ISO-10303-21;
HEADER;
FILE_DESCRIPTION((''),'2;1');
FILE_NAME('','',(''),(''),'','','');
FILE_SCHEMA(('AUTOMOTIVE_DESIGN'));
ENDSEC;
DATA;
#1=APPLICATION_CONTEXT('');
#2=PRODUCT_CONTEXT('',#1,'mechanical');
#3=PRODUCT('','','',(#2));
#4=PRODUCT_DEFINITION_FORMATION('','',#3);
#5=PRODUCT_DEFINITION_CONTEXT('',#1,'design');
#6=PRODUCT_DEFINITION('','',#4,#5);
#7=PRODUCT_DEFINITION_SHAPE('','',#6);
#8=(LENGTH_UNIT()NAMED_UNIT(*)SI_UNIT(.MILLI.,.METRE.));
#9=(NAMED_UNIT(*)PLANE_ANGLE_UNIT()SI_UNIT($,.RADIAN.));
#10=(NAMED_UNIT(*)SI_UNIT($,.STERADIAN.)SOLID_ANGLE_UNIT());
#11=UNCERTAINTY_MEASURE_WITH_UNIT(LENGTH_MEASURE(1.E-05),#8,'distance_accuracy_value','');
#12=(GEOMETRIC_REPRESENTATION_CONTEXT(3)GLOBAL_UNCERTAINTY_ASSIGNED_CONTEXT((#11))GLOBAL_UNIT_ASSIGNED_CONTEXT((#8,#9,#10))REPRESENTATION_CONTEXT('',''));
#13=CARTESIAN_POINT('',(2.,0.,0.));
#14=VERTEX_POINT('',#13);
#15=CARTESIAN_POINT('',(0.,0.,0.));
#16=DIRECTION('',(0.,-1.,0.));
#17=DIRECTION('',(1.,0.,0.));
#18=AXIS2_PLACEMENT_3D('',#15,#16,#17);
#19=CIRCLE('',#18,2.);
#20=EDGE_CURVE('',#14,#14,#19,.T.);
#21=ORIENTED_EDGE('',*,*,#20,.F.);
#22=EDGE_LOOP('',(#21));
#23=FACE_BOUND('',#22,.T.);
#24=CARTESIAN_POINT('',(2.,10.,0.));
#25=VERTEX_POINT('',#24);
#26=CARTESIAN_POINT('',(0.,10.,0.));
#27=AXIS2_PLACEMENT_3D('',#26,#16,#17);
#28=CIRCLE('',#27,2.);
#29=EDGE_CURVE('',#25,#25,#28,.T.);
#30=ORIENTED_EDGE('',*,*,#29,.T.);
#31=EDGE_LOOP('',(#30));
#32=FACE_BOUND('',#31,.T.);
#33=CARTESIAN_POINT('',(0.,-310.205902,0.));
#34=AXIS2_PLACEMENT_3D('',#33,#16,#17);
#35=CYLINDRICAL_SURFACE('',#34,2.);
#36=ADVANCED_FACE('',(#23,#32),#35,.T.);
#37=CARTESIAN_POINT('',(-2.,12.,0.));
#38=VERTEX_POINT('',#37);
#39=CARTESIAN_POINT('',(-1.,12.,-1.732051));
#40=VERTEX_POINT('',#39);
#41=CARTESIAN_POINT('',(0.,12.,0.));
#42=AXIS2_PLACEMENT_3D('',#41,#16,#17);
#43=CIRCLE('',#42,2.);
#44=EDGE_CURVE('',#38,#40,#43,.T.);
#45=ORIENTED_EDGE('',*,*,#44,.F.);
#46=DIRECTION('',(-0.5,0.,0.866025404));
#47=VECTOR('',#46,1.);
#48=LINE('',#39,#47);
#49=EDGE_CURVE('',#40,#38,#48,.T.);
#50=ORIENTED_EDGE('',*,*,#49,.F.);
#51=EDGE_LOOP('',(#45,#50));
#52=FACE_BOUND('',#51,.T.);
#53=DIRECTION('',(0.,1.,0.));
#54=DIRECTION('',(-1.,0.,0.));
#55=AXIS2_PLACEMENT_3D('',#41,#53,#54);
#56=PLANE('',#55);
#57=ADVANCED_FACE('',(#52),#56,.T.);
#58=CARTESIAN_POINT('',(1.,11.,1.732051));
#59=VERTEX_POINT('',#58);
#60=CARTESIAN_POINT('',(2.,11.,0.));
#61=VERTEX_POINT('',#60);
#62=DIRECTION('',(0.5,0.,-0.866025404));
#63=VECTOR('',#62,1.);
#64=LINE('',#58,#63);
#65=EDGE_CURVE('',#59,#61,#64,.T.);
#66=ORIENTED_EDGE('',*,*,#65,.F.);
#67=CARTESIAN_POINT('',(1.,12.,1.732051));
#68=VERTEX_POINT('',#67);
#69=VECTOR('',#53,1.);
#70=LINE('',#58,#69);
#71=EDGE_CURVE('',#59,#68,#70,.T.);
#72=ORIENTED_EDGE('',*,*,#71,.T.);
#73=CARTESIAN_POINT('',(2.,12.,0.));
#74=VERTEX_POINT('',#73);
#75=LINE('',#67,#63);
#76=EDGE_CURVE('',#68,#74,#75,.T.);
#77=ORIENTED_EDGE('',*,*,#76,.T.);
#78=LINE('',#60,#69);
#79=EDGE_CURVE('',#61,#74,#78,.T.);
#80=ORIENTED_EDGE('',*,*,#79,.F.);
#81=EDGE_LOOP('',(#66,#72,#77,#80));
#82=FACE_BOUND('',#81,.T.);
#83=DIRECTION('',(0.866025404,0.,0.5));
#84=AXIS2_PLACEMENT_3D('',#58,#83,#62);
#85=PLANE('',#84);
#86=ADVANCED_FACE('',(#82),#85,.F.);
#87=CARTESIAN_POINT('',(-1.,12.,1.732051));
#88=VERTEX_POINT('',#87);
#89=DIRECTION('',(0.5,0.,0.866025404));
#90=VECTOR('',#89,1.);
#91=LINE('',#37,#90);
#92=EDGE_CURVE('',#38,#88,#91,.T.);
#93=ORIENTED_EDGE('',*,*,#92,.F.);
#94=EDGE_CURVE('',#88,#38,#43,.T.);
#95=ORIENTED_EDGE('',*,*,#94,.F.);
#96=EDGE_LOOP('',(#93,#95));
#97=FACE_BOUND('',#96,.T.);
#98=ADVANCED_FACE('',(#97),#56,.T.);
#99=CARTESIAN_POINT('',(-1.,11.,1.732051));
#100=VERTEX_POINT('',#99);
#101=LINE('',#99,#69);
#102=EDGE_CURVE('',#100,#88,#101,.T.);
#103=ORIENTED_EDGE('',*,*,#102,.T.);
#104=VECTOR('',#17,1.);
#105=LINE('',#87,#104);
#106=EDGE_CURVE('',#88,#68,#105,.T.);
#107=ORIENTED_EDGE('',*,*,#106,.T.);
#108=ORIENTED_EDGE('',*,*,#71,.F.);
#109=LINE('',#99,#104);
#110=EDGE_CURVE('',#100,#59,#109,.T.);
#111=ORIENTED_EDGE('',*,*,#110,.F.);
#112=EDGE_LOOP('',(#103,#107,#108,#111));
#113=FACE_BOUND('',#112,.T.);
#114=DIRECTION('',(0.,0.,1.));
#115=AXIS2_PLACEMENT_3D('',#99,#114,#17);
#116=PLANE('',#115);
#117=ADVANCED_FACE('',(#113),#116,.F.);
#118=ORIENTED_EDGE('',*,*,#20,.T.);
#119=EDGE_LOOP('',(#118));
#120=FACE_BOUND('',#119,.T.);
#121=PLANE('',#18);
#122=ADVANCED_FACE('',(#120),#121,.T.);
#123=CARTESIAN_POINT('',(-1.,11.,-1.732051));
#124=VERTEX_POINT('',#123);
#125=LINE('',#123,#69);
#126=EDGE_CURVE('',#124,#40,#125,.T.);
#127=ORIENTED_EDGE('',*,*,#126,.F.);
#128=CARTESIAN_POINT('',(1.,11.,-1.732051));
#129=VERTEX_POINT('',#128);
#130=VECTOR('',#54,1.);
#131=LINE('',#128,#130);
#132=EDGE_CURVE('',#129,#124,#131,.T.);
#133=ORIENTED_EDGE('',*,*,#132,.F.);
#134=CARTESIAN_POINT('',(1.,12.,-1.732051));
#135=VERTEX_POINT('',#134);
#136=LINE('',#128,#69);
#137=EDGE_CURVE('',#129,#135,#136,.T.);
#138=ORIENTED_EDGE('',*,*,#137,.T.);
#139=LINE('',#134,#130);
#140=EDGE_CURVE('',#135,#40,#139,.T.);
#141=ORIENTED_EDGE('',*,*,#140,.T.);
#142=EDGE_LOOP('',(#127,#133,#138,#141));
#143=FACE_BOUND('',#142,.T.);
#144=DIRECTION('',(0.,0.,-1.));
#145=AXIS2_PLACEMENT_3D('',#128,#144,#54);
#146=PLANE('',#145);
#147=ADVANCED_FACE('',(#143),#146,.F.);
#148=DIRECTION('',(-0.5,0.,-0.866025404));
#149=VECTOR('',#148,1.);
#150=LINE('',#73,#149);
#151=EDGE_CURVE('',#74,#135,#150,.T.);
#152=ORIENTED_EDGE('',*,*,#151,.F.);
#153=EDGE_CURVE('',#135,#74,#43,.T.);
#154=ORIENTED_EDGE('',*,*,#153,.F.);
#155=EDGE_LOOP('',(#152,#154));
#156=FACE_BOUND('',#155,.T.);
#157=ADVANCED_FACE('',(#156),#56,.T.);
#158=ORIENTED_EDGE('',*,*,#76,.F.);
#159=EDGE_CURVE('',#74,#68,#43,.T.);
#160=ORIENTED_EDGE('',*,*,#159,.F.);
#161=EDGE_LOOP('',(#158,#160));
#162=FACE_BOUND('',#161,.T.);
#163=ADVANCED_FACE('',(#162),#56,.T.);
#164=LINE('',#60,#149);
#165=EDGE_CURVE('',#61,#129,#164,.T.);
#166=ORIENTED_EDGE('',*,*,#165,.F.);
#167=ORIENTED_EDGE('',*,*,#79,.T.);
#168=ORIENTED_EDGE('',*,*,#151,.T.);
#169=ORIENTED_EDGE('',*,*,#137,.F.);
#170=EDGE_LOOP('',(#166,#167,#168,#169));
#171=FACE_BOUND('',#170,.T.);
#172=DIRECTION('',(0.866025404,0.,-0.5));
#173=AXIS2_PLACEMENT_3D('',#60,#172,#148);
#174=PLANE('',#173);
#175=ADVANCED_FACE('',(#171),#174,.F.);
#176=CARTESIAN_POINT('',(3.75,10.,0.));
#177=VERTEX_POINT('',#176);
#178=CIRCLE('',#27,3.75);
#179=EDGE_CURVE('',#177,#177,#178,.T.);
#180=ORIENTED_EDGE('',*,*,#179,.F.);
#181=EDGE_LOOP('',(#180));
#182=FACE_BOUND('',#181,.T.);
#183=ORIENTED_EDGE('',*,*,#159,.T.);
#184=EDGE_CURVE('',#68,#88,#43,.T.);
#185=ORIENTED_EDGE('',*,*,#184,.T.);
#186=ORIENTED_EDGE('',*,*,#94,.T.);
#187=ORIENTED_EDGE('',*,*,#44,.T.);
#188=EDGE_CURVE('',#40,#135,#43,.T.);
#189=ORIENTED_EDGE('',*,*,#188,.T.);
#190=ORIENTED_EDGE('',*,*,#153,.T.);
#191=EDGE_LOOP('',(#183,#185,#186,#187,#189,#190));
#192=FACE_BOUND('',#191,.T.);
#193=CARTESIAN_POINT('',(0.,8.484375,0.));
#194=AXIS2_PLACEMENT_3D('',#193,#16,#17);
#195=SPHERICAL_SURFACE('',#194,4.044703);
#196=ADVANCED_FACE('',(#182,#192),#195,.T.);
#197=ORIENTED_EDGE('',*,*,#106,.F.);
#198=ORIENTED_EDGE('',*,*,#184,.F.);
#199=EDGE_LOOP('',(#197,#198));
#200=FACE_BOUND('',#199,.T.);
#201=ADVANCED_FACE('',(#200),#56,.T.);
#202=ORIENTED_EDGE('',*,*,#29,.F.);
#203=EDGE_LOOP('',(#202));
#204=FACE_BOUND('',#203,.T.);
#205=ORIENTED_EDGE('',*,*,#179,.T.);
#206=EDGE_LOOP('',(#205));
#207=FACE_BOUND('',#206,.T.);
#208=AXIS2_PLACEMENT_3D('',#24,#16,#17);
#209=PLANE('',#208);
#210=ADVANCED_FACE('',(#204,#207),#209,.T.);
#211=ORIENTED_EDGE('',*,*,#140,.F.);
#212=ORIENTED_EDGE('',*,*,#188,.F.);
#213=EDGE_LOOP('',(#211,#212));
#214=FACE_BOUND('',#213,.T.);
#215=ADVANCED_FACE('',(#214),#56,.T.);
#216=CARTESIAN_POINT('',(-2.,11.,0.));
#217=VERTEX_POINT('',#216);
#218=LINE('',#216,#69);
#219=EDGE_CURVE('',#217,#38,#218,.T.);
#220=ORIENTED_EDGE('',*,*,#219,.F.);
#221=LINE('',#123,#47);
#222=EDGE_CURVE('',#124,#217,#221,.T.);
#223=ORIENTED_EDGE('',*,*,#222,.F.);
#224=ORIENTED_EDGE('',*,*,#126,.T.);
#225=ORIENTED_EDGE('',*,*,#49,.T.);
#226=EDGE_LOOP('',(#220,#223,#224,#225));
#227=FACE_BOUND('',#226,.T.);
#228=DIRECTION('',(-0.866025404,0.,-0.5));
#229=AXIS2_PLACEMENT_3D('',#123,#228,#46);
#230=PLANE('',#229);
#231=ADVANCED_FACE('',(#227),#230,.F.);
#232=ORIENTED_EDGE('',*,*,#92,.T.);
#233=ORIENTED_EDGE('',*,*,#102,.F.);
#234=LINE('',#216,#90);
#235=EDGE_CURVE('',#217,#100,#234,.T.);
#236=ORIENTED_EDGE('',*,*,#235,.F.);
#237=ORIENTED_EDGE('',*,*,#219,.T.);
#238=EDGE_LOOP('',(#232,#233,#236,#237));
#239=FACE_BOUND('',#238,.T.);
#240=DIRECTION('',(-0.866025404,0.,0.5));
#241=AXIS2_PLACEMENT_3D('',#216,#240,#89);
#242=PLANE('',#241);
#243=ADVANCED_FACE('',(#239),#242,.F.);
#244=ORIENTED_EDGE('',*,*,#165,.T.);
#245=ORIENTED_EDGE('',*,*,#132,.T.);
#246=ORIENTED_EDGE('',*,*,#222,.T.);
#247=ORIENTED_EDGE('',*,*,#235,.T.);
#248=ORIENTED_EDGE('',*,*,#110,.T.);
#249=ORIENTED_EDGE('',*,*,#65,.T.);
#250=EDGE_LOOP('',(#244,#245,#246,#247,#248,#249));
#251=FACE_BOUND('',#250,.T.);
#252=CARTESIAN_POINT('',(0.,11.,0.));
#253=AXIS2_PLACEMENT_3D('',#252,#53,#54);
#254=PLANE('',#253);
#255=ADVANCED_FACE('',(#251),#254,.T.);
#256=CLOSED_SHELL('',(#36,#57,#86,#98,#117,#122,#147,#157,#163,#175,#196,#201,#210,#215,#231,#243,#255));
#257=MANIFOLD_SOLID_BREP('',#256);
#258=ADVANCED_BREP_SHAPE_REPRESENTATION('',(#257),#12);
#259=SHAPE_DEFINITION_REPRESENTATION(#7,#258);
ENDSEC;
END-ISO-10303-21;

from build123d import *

# Parameters (mm, degrees)
CUT_EXTRUDE1_DEPTH = 1


with BuildPart() as part:
    # Sketch1 → Revolve1 (revolve)
    with BuildSketch(Plane.XY):
        with BuildLine():
            Line((0, 0), (2, 0))
            Line((2, 0), (2, 10))
            Line((2, 10), (3.75, 10))
            ThreePointArc((3.75, 10), (3.043948915, 11.147830301), (2, 12))
            Line((2, 12), (0, 12))
            Line((0, 12), (0, 0))
        make_face()
    revolve(axis=Axis((0, -310.205901947, 0), (0, 1, 0)))

    # Sketch2 → Cut-Extrude1 (cut)
    with BuildSketch(Plane(origin=(0, 12, 0), x_dir=(1, 0, 0), z_dir=(0, 1, 0))):
        Polygon((2, 0), (1, 1.732050808), (-1, 1.732050808), (-2, 0), (-1, -1.732050808), (1, -1.732050808), align=None)
    extrude(amount=-CUT_EXTRUDE1_DEPTH, mode=Mode.SUBTRACT)


solid = part.part
